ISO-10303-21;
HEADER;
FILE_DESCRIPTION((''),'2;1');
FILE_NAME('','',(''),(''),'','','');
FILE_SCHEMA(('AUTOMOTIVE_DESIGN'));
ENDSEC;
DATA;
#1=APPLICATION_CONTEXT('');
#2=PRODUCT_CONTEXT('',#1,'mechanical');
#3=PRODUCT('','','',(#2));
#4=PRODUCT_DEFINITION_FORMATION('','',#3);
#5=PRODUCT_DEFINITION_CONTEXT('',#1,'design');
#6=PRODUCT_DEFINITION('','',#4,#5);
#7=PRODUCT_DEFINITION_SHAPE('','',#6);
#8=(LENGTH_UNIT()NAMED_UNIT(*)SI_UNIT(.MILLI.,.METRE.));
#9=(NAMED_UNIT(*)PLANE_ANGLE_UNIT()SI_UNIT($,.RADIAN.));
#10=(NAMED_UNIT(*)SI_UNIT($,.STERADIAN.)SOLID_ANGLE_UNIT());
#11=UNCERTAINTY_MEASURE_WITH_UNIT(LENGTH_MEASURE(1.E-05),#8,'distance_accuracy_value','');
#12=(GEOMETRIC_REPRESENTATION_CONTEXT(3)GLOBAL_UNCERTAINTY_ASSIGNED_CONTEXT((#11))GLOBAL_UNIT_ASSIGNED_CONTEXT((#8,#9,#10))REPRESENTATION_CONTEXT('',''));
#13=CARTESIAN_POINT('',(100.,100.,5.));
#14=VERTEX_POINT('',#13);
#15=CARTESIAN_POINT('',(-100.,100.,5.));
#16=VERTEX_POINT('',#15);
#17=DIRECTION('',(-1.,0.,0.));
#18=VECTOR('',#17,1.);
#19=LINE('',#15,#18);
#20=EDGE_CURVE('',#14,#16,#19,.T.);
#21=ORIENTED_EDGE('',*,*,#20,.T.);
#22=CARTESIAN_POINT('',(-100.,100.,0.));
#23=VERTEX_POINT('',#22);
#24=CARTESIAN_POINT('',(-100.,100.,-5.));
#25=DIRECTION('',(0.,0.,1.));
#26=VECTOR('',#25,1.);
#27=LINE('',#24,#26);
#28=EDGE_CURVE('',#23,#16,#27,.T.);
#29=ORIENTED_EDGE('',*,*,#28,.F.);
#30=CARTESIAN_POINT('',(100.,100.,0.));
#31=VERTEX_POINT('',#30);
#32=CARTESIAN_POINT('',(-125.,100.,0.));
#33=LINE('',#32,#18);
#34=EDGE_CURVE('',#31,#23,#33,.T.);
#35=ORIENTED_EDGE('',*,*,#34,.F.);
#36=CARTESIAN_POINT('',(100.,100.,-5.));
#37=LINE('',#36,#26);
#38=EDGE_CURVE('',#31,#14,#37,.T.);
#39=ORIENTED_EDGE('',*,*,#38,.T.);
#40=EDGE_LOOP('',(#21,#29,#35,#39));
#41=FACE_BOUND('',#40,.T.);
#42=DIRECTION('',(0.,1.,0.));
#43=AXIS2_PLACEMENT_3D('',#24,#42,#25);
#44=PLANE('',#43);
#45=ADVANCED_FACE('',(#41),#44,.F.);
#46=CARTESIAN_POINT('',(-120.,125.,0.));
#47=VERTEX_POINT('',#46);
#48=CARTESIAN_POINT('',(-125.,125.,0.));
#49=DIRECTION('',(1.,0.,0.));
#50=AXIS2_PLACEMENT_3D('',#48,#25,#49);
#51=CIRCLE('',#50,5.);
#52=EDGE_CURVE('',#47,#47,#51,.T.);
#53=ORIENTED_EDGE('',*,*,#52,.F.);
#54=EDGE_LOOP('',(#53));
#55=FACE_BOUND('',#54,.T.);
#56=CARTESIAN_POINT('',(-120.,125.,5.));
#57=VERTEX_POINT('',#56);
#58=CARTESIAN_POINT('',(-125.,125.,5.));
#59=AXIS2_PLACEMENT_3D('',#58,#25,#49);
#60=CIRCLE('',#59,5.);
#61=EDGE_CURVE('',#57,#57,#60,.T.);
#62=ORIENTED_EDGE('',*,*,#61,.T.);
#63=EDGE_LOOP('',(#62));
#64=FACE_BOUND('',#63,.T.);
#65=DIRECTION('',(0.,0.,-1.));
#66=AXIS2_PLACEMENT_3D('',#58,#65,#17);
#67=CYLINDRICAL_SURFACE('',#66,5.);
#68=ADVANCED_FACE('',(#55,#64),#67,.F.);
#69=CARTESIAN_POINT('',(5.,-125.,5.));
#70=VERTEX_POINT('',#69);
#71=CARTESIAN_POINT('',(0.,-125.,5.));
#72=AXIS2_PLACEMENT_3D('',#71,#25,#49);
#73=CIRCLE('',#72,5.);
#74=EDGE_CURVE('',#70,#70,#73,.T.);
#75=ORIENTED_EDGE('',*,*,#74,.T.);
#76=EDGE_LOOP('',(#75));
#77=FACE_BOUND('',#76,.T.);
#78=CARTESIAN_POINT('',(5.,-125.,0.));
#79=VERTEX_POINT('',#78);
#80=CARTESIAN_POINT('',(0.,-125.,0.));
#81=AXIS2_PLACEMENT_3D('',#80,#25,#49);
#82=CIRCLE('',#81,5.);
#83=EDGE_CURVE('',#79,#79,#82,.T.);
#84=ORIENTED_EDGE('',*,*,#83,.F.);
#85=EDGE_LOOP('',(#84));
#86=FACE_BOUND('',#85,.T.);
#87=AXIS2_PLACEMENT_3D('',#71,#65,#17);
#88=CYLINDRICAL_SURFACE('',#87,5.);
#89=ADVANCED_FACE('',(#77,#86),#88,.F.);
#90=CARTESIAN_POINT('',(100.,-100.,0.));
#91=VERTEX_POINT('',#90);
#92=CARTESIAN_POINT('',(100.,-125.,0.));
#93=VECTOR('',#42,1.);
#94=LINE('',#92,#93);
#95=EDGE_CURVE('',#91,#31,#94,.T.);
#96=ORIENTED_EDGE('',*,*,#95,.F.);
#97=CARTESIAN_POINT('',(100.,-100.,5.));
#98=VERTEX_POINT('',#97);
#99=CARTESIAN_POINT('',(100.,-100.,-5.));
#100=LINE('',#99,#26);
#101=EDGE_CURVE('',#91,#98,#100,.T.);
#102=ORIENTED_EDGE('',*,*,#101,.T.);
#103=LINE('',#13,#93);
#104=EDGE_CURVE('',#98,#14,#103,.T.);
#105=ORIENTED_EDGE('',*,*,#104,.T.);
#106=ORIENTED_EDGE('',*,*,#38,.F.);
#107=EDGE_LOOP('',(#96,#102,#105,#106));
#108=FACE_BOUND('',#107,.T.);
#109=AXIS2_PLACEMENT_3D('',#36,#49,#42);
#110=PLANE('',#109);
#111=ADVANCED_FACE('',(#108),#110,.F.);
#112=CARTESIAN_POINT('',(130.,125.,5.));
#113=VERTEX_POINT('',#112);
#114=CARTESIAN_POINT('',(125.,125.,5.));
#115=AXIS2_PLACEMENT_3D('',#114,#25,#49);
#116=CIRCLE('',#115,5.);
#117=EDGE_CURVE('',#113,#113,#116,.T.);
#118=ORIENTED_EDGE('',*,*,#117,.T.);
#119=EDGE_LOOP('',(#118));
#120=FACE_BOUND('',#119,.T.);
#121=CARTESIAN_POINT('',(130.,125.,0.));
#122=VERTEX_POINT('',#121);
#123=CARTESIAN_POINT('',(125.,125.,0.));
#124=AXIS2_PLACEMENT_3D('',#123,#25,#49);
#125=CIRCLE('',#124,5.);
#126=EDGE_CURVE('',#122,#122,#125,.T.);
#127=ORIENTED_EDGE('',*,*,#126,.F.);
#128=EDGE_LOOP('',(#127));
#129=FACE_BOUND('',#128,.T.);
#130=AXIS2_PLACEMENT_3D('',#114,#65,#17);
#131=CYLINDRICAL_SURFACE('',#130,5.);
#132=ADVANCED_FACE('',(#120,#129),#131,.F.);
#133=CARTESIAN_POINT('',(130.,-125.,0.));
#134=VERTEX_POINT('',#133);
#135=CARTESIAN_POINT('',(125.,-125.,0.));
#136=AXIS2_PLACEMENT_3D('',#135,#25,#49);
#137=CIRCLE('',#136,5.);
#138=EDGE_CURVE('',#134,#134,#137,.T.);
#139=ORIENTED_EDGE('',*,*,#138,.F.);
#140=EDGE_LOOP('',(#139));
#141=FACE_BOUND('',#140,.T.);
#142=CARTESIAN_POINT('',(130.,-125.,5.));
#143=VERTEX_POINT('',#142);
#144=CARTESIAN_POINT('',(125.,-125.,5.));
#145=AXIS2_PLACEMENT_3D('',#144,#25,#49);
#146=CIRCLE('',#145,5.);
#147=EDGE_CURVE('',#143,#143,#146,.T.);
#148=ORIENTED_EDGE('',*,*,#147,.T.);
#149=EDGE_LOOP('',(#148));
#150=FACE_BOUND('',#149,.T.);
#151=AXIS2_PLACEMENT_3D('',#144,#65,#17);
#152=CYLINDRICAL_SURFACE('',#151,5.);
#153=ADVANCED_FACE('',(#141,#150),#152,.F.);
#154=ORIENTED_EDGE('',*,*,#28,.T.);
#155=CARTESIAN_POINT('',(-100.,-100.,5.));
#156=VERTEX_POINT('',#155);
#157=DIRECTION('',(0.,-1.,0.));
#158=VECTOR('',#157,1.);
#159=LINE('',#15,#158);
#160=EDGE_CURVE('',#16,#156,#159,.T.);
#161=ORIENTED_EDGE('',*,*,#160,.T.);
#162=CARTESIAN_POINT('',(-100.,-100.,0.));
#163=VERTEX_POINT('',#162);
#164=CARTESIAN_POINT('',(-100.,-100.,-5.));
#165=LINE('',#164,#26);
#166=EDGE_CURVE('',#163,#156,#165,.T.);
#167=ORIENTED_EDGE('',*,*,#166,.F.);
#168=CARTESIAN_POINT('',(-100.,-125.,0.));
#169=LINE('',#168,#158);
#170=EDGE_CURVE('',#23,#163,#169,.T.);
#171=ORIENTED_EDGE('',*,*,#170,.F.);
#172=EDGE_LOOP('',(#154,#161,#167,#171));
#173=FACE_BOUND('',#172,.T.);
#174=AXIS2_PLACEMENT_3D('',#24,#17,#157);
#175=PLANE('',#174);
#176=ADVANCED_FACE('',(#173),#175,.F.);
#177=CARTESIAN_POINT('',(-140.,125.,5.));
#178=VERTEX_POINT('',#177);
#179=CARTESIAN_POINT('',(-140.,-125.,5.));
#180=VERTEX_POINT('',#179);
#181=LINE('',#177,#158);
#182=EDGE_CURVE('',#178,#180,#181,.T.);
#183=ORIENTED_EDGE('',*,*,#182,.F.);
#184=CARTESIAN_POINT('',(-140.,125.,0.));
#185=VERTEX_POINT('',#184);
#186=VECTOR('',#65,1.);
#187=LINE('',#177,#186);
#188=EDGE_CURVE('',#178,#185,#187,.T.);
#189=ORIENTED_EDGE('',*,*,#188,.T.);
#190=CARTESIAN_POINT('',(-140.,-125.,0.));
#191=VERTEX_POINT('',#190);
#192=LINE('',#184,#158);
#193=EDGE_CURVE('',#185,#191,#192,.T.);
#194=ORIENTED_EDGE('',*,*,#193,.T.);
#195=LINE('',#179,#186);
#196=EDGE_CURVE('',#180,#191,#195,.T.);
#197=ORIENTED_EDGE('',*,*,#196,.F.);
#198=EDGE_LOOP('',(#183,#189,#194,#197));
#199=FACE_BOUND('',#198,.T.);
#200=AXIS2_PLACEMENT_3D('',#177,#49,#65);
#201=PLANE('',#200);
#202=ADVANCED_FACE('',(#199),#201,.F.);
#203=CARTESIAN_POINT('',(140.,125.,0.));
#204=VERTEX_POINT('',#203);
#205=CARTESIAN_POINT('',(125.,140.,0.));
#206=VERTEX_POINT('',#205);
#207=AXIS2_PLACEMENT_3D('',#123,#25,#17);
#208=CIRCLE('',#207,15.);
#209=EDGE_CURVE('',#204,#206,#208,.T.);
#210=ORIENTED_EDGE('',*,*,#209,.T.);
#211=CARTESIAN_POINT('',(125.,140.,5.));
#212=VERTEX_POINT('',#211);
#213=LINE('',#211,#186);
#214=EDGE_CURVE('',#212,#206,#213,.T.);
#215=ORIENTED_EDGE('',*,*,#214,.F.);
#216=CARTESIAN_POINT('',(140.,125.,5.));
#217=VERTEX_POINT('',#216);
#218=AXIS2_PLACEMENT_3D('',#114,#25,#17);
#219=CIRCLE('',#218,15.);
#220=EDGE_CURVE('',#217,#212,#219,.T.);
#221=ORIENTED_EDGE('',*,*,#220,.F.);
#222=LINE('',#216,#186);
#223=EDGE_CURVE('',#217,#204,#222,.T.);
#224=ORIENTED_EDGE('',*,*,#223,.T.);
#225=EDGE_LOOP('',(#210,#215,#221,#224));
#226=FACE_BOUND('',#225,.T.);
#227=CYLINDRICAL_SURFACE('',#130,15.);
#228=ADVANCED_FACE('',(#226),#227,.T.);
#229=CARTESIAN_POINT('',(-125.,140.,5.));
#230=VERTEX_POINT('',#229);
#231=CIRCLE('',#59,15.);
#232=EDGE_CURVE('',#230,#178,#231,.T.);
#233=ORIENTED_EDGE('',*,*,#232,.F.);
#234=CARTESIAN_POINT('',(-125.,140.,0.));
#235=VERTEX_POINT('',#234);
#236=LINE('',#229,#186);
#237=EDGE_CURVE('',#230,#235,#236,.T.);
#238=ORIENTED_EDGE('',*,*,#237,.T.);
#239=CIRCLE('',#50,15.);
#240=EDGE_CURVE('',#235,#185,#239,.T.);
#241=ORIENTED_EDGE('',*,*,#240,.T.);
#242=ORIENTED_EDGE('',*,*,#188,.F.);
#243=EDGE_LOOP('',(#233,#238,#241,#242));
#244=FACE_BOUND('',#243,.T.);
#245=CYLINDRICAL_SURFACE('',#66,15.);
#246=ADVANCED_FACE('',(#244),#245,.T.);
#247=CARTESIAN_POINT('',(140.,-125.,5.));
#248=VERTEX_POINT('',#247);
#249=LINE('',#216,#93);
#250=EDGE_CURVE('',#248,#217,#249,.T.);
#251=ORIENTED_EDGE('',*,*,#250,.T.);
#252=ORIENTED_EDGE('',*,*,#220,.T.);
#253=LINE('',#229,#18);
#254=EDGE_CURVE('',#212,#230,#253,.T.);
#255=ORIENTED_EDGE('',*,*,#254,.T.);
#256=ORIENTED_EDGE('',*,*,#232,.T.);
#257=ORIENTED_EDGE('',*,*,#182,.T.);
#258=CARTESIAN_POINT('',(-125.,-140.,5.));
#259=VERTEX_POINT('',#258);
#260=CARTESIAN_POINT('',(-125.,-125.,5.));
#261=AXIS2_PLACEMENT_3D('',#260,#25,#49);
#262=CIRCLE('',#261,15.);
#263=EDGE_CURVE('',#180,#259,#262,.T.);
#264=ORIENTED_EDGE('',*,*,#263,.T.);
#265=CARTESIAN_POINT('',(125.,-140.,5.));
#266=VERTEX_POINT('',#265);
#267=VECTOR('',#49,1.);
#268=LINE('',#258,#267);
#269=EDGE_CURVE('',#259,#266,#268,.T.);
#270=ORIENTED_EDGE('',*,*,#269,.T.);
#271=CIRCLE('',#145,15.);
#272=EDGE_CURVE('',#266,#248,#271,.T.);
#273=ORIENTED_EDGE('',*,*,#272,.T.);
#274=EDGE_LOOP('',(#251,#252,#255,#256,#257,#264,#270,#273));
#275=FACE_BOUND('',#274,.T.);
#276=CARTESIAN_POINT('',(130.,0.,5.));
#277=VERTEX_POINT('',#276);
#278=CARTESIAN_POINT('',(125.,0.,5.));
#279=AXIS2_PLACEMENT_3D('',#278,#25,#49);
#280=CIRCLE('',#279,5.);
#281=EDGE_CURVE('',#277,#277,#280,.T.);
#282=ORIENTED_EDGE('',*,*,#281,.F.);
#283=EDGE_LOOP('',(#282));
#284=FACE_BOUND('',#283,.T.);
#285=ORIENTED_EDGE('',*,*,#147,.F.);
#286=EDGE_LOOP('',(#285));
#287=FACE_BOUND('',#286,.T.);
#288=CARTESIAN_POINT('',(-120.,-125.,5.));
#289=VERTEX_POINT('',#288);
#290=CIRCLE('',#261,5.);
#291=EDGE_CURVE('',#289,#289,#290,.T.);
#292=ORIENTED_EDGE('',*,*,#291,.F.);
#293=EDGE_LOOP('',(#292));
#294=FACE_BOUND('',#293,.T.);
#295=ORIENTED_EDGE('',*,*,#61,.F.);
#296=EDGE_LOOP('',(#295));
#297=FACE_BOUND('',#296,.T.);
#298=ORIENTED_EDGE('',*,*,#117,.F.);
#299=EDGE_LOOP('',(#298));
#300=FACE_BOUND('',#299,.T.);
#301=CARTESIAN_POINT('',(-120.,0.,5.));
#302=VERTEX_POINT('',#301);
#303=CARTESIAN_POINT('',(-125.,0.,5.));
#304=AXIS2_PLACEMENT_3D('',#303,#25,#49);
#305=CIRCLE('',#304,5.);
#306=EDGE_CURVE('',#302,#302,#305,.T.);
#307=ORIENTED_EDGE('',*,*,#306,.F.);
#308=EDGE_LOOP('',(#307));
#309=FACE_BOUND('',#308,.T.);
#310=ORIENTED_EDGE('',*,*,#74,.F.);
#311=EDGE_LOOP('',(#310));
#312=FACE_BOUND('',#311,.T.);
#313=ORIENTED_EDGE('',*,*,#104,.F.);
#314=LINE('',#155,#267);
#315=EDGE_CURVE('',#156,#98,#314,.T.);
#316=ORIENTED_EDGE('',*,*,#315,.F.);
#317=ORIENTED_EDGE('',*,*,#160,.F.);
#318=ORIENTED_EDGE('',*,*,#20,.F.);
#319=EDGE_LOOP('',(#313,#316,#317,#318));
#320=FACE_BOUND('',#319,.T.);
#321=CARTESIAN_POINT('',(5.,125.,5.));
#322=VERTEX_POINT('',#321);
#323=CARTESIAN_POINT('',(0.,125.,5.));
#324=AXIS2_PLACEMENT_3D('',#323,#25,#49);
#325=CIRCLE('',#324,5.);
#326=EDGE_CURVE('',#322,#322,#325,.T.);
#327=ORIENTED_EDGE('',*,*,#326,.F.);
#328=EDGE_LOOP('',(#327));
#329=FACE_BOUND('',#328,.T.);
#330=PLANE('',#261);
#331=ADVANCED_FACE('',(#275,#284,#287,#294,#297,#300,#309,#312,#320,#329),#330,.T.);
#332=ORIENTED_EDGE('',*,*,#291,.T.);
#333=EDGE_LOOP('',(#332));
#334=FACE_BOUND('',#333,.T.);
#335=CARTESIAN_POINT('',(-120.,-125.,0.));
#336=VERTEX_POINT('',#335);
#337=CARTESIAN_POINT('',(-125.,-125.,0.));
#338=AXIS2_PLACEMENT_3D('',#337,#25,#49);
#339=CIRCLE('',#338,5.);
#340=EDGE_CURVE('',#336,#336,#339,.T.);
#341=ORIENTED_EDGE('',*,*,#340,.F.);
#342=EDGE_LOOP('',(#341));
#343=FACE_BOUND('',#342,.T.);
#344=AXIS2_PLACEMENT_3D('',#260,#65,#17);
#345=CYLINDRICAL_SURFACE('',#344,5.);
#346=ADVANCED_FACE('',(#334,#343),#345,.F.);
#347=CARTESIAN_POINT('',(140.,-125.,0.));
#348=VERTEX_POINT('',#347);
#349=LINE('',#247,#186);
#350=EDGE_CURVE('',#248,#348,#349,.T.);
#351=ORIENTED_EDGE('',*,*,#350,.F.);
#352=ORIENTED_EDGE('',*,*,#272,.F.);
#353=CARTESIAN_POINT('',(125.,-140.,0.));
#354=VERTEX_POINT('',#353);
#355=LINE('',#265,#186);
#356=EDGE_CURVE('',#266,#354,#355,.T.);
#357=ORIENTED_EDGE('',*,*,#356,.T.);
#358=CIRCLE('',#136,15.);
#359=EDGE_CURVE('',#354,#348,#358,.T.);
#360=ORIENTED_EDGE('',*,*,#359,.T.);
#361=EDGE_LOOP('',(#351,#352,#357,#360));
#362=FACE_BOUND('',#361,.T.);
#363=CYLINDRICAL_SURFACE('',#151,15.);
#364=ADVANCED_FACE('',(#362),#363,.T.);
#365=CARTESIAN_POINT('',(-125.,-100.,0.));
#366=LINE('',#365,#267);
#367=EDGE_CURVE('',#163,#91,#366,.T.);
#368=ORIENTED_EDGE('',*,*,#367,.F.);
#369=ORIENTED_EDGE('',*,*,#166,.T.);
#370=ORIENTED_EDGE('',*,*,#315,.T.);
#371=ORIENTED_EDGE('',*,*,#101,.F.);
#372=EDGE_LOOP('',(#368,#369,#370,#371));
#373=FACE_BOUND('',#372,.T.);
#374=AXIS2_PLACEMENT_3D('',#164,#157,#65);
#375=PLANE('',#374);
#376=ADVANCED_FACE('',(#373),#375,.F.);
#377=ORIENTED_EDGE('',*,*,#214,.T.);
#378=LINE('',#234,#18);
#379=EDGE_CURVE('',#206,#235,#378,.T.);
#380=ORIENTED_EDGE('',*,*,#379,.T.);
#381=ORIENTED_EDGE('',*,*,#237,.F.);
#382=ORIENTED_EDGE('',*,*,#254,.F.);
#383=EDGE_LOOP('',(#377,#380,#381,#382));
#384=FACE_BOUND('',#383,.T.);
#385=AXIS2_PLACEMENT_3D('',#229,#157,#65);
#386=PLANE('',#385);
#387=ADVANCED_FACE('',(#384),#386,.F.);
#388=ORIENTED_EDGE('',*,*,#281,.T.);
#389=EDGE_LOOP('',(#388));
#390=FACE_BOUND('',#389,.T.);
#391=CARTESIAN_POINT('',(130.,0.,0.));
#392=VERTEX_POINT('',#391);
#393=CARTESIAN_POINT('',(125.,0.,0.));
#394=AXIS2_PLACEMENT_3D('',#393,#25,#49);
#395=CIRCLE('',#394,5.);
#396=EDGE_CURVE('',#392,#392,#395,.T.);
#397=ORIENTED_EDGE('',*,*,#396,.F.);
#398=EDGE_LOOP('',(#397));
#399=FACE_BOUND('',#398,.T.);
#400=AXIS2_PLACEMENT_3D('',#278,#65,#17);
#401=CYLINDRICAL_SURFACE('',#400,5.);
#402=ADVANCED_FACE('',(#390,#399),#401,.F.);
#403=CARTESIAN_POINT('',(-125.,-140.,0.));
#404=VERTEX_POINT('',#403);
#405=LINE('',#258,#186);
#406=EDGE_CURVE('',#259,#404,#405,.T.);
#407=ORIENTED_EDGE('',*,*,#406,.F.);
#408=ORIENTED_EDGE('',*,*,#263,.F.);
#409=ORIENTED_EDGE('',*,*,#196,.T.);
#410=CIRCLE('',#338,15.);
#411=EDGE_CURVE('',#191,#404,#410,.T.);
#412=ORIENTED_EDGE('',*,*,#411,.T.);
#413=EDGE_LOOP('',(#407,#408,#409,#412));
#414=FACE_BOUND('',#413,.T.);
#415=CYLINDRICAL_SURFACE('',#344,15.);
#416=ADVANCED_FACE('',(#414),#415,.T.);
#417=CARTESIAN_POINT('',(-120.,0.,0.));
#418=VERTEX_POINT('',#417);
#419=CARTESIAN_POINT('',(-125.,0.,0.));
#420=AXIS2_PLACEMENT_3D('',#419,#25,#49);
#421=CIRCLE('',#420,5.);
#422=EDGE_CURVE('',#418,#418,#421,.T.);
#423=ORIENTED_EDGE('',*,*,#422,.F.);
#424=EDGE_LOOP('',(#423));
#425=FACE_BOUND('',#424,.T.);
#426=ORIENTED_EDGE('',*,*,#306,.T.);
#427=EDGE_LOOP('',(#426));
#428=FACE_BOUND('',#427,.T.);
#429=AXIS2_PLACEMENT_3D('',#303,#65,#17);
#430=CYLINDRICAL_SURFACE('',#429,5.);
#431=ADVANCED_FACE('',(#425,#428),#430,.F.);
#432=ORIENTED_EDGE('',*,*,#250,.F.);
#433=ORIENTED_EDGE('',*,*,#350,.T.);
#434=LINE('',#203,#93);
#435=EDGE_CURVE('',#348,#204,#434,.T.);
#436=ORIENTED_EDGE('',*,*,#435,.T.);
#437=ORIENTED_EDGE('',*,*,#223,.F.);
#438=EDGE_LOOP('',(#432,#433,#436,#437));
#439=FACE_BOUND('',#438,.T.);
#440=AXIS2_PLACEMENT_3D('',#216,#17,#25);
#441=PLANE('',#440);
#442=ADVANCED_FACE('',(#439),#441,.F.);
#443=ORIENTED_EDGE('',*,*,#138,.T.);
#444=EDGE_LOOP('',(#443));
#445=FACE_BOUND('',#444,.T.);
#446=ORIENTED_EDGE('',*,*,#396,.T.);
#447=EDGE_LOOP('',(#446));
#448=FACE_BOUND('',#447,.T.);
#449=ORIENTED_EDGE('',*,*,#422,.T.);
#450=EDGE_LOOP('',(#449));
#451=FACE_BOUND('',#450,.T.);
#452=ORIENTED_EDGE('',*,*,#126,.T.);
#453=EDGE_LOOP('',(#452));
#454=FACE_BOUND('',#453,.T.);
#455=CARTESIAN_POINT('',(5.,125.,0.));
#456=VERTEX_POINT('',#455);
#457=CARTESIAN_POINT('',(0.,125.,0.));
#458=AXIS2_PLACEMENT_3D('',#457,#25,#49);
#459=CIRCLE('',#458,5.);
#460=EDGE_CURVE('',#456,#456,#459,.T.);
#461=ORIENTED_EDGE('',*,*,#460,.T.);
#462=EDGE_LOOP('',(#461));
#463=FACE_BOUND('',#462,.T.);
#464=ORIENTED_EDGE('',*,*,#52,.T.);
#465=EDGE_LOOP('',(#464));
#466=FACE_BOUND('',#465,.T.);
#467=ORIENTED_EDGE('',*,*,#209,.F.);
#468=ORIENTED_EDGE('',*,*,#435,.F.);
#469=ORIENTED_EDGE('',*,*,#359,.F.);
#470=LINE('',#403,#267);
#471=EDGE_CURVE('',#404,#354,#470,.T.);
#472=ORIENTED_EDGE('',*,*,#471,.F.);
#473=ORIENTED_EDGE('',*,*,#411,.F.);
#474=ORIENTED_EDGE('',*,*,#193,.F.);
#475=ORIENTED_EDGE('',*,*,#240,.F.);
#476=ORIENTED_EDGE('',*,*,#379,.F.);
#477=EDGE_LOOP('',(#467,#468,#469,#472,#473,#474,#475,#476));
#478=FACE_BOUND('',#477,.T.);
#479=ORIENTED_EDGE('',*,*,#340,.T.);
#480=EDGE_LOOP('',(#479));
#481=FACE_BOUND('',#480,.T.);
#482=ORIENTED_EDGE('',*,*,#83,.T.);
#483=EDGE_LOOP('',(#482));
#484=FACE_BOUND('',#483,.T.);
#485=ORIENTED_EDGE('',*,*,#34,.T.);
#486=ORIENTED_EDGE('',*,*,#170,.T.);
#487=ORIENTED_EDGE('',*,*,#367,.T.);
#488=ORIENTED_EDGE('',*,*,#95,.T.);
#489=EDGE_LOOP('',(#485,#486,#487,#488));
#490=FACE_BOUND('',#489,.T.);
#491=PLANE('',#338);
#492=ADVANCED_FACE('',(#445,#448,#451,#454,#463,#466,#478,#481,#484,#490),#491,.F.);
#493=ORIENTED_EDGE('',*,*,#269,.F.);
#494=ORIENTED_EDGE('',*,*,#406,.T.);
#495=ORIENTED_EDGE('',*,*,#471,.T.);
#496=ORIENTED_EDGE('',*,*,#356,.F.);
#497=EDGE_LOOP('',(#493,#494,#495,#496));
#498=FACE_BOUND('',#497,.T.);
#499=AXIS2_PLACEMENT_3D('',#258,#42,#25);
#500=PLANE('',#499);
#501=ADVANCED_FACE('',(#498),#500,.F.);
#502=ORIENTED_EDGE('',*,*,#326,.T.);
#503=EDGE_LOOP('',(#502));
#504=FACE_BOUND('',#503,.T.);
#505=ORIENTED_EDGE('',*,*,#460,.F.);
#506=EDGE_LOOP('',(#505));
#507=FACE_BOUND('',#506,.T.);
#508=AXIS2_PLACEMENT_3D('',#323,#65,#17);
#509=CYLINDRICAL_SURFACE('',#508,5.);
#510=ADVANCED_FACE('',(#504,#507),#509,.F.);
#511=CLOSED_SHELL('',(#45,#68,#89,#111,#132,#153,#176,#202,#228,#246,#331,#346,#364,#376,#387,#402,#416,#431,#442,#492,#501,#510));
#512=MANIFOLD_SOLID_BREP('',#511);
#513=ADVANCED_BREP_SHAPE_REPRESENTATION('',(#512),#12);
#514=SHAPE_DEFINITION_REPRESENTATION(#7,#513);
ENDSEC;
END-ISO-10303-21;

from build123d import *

# Parameters (mm, degrees)
SKETCH2_R           = 5
SKETCH2_R_2         = 4
BOSS_EXTRUDE1_DEPTH = 5
SKETCH3_W           = 200
SKETCH3_H           = 200
CUT_EXTRUDE1_DEPTH  = 10


with BuildPart() as part:
    # Sketch2 → Boss-Extrude1 (new body)
    with BuildSketch(Plane.XY):
        with BuildLine():
            Line((-125, 140), (125, 140))
            ThreePointArc((125, 140), (135.606601718, 135.606601718), (140, 125))
            Line((140, 125), (140, -125))
            ThreePointArc((140, -125), (135.606601718, -135.606601718), (125, -140))
            Line((125, -140), (-125, -140))
            ThreePointArc((-125, -140), (-135.606601718, -135.606601718), (-140, -125))
            Line((-140, -125), (-140, 125))
            ThreePointArc((-140, 125), (-135.606601718, 135.606601718), (-125, 140))
        make_face()
        with Locations((-125, 125)):
            Circle(SKETCH2_R, mode=Mode.SUBTRACT)
        with Locations((0, 125)):
            Circle(SKETCH2_R, mode=Mode.SUBTRACT)
        with Locations((125, 125)):
            Circle(SKETCH2_R, mode=Mode.SUBTRACT)
        Circle(SKETCH2_R_2, mode=Mode.SUBTRACT)
        with Locations((125, 0)):
            Circle(SKETCH2_R, mode=Mode.SUBTRACT)
        with Locations((-125, 0)):
            Circle(SKETCH2_R, mode=Mode.SUBTRACT)
        with Locations((-125, -125)):
            Circle(SKETCH2_R, mode=Mode.SUBTRACT)
        with Locations((0, -125)):
            Circle(SKETCH2_R, mode=Mode.SUBTRACT)
        with Locations((125, -125)):
            Circle(SKETCH2_R, mode=Mode.SUBTRACT)
    extrude(amount=BOSS_EXTRUDE1_DEPTH)

    # Sketch3 → Cut-Extrude1 (cut)
    with BuildSketch(Plane.XY.offset(5)):
        Rectangle(SKETCH3_W, SKETCH3_H)
    extrude(amount=-CUT_EXTRUDE1_DEPTH, mode=Mode.SUBTRACT)


solid = part.part
